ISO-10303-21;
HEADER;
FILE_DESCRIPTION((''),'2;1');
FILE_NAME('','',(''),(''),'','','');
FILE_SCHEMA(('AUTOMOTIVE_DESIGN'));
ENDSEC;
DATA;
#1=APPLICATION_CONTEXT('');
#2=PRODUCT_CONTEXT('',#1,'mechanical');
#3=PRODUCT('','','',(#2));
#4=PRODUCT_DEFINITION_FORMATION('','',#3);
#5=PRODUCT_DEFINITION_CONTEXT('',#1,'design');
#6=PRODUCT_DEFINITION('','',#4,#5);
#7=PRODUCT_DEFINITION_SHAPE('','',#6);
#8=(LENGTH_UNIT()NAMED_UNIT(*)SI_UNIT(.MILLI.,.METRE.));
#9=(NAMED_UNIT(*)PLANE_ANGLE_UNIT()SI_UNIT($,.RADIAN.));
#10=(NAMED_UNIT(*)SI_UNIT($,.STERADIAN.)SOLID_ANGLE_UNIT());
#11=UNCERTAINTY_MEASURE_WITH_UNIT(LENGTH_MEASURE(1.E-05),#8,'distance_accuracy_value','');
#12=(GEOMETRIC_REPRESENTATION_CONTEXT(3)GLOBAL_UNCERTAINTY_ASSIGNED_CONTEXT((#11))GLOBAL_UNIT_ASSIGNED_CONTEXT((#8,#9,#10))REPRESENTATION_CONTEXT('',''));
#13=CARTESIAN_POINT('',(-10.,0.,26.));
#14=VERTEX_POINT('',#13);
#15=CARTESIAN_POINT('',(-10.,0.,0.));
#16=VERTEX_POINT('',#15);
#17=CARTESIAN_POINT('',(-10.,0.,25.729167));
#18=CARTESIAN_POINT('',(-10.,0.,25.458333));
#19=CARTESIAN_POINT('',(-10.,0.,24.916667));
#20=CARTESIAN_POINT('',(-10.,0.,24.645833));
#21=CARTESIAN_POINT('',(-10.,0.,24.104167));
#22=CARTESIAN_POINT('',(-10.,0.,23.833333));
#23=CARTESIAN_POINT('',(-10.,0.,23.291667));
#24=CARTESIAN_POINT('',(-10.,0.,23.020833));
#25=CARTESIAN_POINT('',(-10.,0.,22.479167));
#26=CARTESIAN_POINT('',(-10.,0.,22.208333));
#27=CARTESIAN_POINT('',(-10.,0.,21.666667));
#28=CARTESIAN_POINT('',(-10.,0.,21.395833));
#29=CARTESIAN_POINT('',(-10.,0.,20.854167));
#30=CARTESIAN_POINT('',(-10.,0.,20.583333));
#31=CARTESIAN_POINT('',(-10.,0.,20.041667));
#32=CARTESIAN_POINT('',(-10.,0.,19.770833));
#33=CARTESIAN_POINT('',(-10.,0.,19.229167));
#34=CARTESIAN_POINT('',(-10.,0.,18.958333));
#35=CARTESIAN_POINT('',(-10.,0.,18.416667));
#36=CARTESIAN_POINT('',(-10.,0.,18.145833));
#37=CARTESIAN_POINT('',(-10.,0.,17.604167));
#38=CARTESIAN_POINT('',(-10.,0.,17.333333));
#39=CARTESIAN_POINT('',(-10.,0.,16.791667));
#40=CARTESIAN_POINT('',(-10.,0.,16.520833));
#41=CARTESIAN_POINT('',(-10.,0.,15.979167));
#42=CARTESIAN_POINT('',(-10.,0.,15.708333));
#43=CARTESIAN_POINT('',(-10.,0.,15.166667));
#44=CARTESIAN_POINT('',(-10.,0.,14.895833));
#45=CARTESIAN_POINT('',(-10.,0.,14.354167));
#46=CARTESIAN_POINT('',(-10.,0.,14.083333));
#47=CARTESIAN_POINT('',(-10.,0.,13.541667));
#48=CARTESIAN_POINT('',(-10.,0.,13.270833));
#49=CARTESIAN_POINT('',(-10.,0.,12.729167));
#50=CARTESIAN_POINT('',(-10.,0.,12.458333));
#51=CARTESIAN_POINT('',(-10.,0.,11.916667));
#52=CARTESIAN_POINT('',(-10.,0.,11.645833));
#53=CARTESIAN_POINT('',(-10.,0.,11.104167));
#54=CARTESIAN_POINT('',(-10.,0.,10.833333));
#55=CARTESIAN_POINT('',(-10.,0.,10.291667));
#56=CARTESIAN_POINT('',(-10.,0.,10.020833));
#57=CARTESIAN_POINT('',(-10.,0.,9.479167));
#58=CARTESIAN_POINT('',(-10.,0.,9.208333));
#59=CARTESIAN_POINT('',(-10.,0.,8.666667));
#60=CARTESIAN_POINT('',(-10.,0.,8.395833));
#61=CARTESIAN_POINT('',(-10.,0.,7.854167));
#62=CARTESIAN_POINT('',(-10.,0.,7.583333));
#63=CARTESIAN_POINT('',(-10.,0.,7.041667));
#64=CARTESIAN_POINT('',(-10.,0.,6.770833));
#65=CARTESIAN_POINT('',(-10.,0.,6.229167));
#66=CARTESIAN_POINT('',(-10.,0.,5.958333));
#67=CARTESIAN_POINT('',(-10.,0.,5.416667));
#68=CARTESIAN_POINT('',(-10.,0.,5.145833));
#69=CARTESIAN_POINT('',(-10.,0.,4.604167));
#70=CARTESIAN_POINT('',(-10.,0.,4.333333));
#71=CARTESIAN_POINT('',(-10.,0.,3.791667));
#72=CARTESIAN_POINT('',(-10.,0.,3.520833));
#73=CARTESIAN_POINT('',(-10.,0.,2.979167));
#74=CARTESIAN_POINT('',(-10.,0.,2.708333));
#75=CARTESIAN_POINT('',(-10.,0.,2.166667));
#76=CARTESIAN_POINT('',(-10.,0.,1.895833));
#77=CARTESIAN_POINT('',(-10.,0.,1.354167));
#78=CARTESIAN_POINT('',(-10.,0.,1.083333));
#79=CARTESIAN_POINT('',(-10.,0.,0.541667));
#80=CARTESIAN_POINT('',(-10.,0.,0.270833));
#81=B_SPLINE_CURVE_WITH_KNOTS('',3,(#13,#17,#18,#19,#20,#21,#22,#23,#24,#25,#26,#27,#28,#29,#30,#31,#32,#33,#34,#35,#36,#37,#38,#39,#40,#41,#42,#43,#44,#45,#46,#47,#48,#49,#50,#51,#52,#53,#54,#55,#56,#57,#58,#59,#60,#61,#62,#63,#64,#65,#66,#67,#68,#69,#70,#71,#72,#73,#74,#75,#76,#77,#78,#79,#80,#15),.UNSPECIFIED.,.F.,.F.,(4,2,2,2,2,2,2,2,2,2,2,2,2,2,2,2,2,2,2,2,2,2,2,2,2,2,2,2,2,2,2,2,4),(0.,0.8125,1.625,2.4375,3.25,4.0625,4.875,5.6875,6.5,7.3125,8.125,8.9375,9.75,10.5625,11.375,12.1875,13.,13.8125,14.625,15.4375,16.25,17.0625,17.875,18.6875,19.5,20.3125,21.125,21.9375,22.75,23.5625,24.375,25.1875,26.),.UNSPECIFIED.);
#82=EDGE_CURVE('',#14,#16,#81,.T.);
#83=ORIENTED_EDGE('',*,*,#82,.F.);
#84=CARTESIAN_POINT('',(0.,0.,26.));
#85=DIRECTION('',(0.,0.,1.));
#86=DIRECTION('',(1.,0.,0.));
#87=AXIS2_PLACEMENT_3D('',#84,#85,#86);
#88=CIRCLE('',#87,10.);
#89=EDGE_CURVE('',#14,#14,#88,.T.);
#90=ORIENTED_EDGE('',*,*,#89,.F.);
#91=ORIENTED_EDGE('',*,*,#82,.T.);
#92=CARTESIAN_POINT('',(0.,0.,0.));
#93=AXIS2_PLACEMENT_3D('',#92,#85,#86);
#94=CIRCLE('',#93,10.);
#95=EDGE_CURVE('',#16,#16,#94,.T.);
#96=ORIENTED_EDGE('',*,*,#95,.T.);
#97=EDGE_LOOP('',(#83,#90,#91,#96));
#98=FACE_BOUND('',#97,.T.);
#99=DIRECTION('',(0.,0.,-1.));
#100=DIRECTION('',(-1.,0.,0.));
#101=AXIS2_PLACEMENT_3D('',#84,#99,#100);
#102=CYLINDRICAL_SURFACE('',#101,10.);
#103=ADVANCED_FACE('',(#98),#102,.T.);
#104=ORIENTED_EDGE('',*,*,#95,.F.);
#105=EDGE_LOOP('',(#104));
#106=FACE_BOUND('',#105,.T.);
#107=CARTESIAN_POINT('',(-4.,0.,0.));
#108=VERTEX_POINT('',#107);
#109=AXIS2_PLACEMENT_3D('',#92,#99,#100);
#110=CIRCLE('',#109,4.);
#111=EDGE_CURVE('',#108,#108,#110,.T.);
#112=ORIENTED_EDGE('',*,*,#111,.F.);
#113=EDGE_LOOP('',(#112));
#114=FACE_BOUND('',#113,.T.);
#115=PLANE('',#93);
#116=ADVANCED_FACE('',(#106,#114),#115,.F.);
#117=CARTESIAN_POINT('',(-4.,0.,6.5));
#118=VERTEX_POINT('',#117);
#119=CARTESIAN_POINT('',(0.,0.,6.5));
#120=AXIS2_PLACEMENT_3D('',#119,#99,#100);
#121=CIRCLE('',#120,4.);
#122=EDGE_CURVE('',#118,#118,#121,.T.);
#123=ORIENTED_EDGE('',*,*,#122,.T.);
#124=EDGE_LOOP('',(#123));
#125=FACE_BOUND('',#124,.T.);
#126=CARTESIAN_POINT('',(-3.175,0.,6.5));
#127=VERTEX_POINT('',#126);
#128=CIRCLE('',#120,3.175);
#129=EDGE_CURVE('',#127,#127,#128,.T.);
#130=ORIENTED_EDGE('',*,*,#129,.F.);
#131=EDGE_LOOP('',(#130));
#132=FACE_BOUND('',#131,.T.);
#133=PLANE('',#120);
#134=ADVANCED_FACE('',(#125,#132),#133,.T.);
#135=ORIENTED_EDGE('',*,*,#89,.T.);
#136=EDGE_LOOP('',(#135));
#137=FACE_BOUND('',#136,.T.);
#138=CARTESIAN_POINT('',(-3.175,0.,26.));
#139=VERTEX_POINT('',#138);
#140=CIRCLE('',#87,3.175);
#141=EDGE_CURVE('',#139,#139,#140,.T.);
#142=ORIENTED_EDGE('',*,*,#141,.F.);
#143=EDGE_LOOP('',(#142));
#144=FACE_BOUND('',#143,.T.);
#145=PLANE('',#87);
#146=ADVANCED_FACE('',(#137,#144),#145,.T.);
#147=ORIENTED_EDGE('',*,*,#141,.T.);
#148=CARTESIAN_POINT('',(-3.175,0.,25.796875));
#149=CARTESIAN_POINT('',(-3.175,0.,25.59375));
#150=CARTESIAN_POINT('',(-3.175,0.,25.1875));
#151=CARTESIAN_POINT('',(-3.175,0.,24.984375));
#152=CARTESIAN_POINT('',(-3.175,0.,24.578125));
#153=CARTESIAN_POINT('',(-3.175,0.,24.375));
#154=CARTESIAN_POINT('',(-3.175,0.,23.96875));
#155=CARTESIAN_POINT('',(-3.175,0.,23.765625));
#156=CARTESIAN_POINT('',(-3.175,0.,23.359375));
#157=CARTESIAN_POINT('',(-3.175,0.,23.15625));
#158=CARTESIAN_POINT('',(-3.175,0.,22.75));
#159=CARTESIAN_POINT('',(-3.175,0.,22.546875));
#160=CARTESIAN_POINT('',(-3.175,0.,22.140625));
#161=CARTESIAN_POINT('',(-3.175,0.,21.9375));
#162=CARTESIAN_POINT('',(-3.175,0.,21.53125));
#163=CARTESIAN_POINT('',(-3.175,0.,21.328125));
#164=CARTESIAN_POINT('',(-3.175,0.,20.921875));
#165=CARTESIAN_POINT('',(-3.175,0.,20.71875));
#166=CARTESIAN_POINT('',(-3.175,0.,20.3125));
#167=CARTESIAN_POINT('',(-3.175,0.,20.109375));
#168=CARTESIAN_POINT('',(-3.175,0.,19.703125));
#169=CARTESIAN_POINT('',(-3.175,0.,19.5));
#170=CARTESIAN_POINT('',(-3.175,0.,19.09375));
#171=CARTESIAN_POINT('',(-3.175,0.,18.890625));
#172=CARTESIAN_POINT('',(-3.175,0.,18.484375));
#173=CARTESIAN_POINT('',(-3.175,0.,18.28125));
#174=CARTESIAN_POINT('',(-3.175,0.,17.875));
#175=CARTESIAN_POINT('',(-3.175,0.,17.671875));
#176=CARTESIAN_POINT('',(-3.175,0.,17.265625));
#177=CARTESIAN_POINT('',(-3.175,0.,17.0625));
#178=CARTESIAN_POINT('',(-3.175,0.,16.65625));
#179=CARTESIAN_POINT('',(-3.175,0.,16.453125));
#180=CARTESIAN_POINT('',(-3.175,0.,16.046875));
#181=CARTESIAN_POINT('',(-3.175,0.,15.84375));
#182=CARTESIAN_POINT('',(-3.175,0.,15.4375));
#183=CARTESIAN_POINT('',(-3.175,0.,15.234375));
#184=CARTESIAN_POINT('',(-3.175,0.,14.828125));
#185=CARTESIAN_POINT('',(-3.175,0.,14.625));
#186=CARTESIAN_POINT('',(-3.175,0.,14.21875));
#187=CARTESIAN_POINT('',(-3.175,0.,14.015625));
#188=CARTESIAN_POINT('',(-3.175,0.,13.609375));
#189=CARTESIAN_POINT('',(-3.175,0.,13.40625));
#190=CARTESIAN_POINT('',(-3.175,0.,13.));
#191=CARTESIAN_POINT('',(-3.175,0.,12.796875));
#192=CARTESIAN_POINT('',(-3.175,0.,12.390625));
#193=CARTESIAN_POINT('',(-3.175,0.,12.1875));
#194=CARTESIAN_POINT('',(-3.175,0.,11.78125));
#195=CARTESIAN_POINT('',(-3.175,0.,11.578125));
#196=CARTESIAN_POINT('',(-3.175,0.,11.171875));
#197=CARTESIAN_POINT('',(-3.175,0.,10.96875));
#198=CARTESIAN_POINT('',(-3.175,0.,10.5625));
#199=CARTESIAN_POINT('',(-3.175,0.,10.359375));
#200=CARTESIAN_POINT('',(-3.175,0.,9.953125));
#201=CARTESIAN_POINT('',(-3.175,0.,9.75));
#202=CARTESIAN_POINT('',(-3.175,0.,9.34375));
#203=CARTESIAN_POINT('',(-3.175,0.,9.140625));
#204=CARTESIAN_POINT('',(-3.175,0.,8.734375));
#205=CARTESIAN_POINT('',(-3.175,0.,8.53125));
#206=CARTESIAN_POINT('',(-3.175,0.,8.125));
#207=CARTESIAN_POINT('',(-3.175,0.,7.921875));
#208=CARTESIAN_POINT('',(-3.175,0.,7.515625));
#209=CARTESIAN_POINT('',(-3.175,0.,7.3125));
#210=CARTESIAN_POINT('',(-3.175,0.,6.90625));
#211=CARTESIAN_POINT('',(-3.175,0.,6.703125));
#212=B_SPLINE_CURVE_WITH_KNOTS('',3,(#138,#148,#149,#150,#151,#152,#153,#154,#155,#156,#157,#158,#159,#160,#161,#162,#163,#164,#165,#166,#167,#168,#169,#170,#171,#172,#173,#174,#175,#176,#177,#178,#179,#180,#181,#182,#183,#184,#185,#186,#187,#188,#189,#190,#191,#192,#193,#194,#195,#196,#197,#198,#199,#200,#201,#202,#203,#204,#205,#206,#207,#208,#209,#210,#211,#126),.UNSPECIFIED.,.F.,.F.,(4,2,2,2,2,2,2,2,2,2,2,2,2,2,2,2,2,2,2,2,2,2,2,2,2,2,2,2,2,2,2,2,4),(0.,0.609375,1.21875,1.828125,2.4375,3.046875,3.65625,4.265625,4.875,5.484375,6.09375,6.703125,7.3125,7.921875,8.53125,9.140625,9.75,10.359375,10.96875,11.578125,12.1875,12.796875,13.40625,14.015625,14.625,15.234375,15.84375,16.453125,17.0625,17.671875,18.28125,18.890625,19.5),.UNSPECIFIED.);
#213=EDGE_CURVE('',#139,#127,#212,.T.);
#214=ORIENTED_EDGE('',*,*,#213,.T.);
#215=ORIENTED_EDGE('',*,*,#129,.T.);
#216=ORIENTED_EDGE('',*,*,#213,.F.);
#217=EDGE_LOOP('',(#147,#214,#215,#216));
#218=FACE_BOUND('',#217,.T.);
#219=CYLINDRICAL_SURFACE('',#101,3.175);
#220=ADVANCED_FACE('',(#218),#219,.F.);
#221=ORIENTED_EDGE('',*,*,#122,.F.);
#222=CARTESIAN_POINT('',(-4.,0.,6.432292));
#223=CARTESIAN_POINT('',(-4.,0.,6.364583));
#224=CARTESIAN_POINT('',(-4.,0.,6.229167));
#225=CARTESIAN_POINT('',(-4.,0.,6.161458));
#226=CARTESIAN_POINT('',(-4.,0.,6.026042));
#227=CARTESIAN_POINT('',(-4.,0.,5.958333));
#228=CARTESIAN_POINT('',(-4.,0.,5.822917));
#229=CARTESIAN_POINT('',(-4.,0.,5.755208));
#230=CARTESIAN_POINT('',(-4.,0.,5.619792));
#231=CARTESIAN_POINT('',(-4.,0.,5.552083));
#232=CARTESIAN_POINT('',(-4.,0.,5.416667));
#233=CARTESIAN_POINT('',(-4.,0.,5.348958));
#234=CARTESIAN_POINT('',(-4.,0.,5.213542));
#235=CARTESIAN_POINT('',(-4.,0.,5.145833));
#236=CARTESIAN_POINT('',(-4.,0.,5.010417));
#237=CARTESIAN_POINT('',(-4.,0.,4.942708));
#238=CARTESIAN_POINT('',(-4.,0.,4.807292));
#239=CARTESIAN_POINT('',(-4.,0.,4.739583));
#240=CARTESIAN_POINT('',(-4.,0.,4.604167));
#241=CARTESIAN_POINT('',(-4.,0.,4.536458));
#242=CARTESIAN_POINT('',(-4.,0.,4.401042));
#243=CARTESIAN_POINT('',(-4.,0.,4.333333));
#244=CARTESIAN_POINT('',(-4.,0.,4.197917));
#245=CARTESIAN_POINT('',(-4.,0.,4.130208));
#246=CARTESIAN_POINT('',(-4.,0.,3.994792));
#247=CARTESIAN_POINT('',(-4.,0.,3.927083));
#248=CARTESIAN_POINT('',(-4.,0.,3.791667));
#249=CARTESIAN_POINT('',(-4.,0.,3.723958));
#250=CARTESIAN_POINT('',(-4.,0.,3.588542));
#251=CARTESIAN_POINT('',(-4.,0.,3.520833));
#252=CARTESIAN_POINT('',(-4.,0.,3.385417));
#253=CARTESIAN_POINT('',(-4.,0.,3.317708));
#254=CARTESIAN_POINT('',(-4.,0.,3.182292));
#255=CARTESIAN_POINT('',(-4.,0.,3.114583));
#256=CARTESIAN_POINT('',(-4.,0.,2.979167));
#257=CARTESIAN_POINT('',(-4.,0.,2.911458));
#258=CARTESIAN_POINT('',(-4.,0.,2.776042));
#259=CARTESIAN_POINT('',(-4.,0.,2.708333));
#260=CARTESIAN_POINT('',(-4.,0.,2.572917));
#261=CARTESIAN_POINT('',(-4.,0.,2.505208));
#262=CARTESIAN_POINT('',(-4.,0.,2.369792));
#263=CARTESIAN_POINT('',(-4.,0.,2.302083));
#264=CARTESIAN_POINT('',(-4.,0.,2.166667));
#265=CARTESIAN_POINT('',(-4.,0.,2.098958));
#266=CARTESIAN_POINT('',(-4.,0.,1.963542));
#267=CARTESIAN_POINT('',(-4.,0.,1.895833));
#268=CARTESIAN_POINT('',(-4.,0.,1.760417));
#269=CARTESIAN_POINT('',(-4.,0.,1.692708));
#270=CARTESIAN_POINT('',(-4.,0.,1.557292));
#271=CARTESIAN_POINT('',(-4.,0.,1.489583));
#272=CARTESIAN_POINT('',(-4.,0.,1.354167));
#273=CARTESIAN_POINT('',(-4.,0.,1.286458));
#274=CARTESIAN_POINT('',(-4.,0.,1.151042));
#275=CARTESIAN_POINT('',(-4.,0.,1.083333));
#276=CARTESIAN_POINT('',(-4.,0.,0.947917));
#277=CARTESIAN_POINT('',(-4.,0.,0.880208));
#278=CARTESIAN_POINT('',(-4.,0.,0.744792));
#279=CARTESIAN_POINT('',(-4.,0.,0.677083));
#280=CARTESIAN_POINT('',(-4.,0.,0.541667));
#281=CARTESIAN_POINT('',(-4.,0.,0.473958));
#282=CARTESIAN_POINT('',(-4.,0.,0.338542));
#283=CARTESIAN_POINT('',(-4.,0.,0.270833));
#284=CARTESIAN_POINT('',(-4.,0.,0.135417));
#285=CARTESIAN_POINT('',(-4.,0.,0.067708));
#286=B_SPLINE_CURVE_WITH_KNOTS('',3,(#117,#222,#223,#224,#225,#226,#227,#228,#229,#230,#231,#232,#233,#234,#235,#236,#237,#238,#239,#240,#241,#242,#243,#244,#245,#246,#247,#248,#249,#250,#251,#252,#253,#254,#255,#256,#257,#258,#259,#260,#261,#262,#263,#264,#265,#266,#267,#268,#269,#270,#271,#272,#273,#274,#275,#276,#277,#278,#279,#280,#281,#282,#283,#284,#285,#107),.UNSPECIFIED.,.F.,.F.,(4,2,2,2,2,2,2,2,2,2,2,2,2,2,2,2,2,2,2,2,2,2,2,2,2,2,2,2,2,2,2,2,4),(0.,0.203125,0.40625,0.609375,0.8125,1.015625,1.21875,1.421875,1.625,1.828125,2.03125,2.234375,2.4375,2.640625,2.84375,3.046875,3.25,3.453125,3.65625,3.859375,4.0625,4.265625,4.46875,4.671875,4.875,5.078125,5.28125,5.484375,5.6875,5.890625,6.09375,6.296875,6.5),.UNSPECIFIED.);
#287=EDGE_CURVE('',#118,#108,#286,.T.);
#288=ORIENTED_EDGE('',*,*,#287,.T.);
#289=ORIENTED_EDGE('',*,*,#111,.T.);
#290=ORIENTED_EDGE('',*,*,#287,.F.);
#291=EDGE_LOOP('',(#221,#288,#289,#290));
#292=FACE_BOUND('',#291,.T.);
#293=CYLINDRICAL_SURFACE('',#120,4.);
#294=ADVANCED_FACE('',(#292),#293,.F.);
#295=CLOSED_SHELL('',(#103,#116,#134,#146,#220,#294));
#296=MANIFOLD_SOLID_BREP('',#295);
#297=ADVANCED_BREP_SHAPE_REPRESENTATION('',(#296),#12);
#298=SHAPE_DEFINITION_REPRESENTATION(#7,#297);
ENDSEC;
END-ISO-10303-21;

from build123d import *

# Parameters (mm, degrees)
SKETCH_1_R          = 10
SKETCH_1_R_2        = 3.175
EXTRUDE_1_DEPTH     = 26
SKETCH_3_R          = 4
CUT_EXTRUDE_1_DEPTH = 6.5


with BuildPart() as part:
    # 草图1 → 凸台-拉伸1 (new body)
    with BuildSketch(Plane.XY):
        with Locations(Location((0, 0, 0), (0, 0, 180))):
            Circle(SKETCH_1_R)
        with Locations(Location((0, 0, 0), (0, 0, 180))):
            Circle(SKETCH_1_R_2, mode=Mode.SUBTRACT)
    extrude(amount=EXTRUDE_1_DEPTH)

    # 草图3 → 切除-拉伸1 (cut)
    with BuildSketch(Plane(origin=(0, 0, 0), x_dir=(-1, 0, 0), z_dir=(0, 0, -1))):
        Circle(SKETCH_3_R)
    extrude(amount=-CUT_EXTRUDE_1_DEPTH, mode=Mode.SUBTRACT)


solid = part.part
